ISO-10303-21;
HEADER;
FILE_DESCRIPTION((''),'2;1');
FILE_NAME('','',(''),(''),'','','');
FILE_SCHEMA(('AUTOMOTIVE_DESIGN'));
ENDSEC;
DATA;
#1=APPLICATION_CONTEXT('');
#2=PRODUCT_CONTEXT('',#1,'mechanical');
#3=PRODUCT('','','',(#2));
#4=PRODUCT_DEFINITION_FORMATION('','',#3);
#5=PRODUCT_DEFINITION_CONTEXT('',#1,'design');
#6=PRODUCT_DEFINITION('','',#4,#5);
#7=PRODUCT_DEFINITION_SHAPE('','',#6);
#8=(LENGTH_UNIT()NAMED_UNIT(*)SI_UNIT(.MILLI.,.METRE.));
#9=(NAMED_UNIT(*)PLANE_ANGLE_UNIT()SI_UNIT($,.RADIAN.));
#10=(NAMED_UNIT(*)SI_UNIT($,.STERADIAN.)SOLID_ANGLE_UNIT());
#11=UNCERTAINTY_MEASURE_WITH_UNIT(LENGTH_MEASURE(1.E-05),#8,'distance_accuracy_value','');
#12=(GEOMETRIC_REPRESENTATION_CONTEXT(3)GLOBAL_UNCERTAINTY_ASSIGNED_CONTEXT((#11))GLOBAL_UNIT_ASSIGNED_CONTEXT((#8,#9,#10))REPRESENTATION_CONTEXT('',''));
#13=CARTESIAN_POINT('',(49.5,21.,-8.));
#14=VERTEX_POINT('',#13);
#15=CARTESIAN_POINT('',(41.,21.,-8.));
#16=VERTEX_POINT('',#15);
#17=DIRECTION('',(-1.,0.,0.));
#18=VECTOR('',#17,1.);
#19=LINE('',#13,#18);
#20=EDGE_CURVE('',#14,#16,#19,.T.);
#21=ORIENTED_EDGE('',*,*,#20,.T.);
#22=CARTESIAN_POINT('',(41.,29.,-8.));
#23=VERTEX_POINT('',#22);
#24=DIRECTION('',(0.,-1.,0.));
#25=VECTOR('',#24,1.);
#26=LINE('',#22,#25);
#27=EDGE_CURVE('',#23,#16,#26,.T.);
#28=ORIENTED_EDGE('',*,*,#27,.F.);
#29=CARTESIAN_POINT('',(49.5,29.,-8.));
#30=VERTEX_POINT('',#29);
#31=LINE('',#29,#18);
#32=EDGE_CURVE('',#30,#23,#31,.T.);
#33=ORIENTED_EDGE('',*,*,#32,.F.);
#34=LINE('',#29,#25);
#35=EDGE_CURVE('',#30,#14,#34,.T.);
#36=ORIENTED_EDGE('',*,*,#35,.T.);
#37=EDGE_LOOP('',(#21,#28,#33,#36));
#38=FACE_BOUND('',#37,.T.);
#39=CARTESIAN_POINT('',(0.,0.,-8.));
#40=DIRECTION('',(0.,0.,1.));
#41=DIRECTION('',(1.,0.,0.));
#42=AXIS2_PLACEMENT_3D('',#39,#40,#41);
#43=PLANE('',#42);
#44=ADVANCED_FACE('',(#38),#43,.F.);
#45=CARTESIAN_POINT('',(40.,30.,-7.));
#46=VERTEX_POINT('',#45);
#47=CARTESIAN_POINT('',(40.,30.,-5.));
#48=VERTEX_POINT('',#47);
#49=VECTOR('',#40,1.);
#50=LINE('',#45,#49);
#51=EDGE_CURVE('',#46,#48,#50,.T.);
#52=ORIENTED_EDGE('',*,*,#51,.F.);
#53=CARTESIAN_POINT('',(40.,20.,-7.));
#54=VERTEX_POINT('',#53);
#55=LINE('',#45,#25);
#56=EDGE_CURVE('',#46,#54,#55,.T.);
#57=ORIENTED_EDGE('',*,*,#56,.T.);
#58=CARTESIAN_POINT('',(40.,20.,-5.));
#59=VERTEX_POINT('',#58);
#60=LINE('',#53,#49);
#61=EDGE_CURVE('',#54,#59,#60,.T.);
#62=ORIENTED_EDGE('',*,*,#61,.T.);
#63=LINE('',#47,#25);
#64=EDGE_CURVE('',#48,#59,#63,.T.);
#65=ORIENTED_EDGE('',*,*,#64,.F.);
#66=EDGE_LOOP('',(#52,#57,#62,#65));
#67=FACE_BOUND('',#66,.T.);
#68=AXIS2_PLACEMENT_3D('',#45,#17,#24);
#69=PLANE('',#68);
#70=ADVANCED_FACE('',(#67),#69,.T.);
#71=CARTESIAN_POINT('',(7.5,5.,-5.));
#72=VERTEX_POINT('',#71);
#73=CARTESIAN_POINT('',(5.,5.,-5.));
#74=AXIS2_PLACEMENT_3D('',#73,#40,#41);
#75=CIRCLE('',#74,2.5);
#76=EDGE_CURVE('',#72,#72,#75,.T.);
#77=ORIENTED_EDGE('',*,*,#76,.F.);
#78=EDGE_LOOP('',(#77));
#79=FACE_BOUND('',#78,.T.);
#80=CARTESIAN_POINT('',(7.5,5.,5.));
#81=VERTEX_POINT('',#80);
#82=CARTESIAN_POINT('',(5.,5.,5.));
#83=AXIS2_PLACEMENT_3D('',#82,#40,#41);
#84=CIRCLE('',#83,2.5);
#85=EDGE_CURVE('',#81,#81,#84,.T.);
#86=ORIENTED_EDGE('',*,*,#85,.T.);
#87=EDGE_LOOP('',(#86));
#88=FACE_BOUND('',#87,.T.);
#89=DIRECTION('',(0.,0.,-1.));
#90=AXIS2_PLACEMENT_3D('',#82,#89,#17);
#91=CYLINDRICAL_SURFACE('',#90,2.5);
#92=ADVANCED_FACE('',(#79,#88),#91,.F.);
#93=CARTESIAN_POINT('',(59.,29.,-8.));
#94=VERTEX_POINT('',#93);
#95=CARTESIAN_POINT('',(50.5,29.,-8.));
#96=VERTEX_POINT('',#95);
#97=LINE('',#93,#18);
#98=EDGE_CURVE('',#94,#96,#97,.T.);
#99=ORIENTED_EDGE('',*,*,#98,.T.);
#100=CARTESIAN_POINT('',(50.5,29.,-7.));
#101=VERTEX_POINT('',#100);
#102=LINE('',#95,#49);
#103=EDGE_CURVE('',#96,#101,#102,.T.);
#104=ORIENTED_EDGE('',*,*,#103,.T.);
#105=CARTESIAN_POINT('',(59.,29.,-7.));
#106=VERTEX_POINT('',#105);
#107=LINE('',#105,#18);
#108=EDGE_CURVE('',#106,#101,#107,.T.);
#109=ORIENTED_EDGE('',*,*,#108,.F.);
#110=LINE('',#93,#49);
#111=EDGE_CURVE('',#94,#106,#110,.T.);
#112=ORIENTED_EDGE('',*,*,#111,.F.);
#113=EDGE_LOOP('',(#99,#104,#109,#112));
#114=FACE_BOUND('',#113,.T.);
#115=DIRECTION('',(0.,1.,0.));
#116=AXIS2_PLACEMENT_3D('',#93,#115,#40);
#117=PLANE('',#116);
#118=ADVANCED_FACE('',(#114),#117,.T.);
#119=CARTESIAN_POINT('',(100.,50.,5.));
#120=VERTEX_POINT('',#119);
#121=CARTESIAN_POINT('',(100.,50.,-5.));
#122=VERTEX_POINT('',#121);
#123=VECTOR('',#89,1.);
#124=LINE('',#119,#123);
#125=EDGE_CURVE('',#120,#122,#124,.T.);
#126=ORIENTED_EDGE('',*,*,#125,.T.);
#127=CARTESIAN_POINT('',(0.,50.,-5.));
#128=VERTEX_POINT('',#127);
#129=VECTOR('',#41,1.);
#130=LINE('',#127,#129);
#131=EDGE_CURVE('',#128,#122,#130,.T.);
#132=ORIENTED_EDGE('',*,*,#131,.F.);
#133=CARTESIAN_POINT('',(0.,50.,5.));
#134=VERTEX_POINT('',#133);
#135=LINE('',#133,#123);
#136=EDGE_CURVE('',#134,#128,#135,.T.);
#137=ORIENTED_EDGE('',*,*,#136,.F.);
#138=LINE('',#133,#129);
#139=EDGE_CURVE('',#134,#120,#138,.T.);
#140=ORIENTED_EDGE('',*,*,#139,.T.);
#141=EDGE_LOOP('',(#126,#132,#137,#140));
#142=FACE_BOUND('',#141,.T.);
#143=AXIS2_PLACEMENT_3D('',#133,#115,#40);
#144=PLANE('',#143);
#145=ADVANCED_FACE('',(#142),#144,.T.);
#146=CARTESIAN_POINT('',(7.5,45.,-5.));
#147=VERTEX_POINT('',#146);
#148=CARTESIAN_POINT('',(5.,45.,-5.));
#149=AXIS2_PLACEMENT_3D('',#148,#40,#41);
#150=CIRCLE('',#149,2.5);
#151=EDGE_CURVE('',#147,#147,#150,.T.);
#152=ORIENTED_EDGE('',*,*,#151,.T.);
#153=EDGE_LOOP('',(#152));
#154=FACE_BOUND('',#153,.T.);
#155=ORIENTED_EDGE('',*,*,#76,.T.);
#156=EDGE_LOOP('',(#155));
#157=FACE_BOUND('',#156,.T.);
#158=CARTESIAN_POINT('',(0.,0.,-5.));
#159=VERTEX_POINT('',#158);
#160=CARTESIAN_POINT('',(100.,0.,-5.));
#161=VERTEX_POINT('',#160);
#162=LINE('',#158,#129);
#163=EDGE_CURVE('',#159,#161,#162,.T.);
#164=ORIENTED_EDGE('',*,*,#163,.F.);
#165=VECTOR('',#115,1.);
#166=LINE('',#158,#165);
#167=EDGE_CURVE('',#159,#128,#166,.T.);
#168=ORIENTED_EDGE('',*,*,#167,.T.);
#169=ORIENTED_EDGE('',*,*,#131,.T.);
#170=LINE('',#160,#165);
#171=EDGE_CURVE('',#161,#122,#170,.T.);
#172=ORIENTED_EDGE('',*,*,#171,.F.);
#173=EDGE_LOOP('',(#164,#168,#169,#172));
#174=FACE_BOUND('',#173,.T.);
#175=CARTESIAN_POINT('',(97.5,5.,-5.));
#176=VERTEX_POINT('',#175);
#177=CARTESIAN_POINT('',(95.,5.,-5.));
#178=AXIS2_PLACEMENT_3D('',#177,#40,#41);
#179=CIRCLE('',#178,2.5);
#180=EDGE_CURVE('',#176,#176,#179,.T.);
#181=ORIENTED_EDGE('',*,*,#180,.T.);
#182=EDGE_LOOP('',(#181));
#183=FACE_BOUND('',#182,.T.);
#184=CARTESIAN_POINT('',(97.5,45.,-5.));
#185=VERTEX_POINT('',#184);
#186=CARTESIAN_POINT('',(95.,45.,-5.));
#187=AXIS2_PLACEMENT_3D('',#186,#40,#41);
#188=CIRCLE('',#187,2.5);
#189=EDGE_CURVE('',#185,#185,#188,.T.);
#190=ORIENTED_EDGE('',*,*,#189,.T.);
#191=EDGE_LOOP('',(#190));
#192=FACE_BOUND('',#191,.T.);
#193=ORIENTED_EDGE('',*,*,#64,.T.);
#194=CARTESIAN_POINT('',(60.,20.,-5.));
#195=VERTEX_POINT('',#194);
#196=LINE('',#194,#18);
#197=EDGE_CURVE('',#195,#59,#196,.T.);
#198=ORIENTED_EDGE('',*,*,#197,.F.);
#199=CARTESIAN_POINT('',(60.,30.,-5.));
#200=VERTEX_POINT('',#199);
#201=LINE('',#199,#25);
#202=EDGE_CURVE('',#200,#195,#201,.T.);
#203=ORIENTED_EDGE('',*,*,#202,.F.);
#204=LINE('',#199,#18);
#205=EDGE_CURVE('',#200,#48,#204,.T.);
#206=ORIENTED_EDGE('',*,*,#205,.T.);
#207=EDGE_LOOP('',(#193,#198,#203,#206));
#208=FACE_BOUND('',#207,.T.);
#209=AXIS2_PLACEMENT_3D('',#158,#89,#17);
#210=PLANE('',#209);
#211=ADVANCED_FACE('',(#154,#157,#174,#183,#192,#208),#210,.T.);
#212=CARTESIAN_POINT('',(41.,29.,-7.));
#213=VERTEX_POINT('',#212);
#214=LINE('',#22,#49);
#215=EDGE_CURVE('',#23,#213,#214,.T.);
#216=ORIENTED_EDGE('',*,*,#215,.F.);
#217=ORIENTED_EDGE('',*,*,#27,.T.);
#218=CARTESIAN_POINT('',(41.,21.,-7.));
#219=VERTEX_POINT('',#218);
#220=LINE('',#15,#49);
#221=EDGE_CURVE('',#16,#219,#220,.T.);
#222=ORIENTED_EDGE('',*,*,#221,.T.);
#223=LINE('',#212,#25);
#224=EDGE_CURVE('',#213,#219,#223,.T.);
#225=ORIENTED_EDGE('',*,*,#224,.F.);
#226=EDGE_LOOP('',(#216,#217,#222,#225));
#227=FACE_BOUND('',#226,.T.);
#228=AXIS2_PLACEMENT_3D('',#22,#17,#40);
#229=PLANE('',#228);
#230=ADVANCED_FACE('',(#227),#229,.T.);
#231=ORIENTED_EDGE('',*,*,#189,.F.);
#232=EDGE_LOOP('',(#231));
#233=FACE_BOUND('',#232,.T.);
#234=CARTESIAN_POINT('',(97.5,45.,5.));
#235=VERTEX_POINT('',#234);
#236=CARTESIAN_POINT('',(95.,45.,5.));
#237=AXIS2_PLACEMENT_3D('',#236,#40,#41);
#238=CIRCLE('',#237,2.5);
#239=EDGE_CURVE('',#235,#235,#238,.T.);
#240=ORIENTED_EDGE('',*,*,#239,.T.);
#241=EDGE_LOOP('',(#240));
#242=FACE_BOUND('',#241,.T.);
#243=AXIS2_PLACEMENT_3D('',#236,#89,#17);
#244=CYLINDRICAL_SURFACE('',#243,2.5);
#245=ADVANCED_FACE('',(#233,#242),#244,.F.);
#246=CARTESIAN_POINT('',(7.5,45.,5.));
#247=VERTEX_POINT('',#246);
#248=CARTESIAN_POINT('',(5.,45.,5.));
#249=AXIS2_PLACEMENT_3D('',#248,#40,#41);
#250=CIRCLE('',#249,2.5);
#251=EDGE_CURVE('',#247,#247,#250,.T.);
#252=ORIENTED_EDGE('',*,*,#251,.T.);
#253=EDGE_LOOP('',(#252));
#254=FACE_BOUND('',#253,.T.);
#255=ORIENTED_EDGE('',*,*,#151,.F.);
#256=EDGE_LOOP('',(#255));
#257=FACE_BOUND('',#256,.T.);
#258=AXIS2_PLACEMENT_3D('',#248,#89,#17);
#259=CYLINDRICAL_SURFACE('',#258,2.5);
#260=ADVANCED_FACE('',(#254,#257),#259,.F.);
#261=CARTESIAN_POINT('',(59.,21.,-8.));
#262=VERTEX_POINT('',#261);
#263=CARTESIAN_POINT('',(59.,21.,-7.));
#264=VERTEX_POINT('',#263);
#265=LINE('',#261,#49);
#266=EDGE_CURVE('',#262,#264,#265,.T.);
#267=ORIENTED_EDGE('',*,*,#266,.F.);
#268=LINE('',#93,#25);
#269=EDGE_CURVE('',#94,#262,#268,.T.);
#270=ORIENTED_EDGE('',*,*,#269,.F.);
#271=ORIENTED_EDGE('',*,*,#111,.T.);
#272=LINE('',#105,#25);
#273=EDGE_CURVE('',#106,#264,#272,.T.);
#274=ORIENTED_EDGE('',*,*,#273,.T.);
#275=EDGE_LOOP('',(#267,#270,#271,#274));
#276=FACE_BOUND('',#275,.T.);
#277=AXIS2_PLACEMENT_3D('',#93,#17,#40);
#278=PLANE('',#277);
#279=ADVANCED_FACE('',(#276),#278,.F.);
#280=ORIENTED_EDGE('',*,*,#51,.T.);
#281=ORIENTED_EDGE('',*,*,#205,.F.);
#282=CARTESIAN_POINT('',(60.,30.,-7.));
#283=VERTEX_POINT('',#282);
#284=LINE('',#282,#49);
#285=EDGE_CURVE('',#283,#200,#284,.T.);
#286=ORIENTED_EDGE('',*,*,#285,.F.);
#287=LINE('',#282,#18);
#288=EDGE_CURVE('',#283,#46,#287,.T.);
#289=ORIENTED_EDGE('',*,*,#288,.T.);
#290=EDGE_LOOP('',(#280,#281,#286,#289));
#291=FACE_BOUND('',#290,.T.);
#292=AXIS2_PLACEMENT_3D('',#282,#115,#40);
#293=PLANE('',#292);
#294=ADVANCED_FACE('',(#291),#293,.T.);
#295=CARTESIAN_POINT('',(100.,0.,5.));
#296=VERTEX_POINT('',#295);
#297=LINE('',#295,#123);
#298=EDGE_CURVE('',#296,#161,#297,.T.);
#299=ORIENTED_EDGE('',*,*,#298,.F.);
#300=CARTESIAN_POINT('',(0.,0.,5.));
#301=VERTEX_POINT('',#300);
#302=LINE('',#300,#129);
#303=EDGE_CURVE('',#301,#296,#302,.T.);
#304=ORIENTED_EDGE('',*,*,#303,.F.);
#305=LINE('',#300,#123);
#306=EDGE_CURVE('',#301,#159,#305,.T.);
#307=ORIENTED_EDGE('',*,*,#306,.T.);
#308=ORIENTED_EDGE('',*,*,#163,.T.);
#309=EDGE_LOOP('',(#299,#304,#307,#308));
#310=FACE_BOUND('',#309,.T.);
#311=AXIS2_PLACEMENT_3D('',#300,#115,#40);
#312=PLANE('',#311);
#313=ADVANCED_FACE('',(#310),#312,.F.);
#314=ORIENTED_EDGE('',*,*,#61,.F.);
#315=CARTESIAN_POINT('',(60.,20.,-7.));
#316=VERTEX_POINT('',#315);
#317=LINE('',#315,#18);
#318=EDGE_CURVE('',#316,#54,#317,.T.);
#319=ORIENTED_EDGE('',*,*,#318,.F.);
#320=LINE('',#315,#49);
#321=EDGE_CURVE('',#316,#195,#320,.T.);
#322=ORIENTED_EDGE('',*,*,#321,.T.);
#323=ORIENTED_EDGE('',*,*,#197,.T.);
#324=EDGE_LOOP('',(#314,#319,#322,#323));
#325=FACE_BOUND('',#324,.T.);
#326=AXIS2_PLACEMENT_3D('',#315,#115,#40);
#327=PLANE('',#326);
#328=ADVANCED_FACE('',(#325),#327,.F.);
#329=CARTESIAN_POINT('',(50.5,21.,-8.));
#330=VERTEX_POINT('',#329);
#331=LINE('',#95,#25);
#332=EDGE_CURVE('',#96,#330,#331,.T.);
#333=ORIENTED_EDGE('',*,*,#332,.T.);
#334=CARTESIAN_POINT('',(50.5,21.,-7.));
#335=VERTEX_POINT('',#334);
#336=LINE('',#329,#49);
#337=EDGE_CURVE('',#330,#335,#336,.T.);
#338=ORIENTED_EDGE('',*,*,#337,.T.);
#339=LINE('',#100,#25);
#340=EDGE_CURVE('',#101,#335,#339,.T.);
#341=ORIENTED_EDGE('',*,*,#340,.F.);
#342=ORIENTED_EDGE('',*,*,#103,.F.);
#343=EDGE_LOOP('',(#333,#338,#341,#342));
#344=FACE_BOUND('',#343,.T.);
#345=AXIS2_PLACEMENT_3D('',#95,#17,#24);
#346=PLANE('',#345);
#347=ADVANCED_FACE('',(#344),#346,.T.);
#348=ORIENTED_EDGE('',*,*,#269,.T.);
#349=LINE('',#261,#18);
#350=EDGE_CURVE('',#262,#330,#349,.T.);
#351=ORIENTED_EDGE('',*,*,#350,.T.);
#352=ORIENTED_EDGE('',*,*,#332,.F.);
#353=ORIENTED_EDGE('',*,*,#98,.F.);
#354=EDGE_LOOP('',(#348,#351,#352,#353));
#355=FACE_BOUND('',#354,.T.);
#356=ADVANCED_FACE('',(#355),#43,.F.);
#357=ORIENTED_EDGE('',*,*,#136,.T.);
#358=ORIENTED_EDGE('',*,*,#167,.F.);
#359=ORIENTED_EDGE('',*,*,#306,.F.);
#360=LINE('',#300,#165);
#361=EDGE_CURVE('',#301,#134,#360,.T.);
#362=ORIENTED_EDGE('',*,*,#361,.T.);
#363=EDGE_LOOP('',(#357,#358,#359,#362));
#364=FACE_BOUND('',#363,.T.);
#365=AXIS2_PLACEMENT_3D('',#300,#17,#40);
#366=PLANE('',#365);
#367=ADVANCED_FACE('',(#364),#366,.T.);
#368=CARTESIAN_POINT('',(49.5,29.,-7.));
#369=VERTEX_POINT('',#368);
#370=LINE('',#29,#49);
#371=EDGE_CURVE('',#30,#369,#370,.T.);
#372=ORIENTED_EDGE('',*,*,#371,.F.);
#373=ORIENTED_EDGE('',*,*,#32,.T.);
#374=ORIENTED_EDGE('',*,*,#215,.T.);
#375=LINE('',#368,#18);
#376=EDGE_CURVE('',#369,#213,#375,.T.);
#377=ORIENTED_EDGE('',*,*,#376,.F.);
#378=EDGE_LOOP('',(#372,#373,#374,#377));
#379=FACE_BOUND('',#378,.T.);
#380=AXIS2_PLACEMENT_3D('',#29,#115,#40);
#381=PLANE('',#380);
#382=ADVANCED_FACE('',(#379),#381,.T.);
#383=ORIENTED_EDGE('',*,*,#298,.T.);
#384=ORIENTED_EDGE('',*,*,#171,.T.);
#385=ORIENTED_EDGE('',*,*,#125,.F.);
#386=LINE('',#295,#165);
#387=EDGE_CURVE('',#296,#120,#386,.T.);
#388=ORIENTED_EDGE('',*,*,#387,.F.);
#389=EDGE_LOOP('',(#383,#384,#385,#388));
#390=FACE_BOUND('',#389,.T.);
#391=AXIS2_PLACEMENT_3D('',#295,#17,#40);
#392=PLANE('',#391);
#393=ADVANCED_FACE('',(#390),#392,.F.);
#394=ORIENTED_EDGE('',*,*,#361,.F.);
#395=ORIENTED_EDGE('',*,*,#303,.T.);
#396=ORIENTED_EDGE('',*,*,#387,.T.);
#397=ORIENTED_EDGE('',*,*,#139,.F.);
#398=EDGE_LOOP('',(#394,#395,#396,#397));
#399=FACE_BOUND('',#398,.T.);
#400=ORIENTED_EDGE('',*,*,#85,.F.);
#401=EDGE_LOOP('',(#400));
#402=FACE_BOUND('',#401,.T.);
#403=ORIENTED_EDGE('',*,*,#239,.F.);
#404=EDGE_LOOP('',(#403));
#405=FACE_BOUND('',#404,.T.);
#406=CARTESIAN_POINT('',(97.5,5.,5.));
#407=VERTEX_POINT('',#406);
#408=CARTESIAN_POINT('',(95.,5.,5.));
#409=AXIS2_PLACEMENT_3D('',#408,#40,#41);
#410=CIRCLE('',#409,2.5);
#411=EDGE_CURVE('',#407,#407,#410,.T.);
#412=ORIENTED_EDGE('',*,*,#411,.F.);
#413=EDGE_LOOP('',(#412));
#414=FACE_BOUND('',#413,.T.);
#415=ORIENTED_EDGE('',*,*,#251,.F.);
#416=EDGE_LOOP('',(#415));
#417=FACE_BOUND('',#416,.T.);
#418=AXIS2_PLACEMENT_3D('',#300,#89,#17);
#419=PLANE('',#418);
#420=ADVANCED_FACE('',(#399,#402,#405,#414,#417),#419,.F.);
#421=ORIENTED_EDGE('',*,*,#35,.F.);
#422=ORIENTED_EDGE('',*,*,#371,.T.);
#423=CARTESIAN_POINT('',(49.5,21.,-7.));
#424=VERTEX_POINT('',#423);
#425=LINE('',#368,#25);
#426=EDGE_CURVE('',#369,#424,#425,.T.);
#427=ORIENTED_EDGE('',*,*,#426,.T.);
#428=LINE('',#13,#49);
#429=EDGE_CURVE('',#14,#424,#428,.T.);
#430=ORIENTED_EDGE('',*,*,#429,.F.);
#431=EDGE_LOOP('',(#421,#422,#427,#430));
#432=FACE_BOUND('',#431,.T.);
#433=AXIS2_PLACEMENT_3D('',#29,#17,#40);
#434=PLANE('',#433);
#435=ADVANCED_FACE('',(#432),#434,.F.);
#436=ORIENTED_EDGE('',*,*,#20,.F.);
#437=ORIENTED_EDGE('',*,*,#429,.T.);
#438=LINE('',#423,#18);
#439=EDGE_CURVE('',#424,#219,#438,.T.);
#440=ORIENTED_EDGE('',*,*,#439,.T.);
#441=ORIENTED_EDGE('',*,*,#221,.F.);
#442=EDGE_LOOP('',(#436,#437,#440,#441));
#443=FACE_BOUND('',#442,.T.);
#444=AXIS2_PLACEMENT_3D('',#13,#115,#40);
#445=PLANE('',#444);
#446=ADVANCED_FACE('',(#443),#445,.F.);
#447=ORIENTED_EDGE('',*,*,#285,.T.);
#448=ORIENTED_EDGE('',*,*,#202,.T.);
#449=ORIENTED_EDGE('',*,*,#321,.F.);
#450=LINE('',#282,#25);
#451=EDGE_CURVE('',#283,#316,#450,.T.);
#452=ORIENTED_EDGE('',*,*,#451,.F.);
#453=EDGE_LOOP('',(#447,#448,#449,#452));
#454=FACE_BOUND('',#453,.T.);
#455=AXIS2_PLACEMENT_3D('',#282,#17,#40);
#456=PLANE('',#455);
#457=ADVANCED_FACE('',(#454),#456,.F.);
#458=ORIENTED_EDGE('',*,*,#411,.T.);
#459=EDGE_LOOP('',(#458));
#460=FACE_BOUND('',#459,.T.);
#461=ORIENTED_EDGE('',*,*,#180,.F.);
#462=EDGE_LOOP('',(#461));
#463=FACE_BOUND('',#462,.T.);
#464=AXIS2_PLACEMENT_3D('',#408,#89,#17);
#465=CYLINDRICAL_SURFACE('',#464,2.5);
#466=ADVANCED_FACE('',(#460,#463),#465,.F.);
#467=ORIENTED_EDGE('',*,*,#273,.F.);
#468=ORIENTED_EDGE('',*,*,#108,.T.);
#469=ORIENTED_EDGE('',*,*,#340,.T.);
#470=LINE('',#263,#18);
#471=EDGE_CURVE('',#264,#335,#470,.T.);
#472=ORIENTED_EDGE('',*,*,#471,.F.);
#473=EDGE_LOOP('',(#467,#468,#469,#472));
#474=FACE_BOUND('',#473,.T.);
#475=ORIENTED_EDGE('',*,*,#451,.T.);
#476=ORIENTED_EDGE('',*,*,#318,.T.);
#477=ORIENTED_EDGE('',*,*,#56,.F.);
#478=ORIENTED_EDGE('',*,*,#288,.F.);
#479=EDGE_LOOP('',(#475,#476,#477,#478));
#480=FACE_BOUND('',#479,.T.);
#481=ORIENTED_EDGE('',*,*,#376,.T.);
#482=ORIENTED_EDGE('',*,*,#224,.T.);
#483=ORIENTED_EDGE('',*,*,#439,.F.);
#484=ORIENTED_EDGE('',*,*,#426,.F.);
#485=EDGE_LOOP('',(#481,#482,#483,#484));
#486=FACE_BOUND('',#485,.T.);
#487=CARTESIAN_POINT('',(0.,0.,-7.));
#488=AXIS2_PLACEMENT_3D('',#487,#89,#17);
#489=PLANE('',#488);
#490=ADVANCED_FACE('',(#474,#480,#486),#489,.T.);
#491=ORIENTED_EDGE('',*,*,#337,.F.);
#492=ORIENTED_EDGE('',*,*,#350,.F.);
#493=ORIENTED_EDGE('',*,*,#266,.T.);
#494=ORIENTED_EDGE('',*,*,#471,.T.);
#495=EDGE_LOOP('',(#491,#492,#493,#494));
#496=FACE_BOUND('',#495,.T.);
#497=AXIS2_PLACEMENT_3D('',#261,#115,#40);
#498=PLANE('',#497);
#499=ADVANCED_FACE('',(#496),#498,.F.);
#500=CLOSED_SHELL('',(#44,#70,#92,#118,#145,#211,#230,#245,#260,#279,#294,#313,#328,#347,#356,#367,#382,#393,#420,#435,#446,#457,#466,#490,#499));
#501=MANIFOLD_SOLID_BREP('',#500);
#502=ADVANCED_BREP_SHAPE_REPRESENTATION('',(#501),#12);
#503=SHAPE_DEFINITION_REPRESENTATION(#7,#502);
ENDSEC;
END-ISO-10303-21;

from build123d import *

# Parameters (mm, degrees)
SKETCH1_W           = 100
SKETCH1_H           = 50
SKETCH1_R           = 2.5
BOSS_EXTRUDE1_DEPTH = 5
SKETCH2_W           = 20
SKETCH2_H           = 10
SKETCH2_W_2         = 8.5
SKETCH2_H_2         = 8
BOSS_EXTRUDE2_DEPTH = 2
SKETCH2_3_W         = 8.5
SKETCH2_3_H         = 8
BOSS_EXTRUDE3_DEPTH = 3


with BuildPart() as part:
    # Sketch1 → Boss-Extrude1 (new, symmetric)
    with BuildSketch(Plane.XY):
        with Locations((50, 25)):
            Rectangle(SKETCH1_W, SKETCH1_H)
        with Locations((5, 5)):
            Circle(SKETCH1_R, mode=Mode.SUBTRACT)
        with Locations((5, 45)):
            Circle(SKETCH1_R, mode=Mode.SUBTRACT)
        with Locations((95, 45)):
            Circle(SKETCH1_R, mode=Mode.SUBTRACT)
        with Locations((95, 5)):
            Circle(SKETCH1_R, mode=Mode.SUBTRACT)
    extrude(amount=BOSS_EXTRUDE1_DEPTH, both=True)

    # Sketch2 → Boss-Extrude2 (add)
    with BuildSketch(Plane(origin=(0, 0, -5), x_dir=(-1, 0, 0), z_dir=(0, 0, -1))):
        with Locations((-50, 25)):
            Rectangle(SKETCH2_W, SKETCH2_H)
        with Locations((-54.75, 25)):
            Rectangle(SKETCH2_W_2, SKETCH2_H_2, mode=Mode.SUBTRACT)
        with Locations((-45.25, 25)):
            Rectangle(SKETCH2_W_2, SKETCH2_H_2, mode=Mode.SUBTRACT)
    extrude(amount=BOSS_EXTRUDE2_DEPTH)

    # Sketch2<3> → Boss-Extrude3 (add)
    with BuildSketch(Plane(origin=(0, 0, -5), x_dir=(-1, 0, 0), z_dir=(0, 0, -1))):
        with Locations((-54.75, 25)):
            Rectangle(SKETCH2_3_W, SKETCH2_3_H)
        with Locations((-45.25, 25)):
            Rectangle(SKETCH2_3_W, SKETCH2_3_H)
    extrude(amount=BOSS_EXTRUDE3_DEPTH)


solid = part.part
